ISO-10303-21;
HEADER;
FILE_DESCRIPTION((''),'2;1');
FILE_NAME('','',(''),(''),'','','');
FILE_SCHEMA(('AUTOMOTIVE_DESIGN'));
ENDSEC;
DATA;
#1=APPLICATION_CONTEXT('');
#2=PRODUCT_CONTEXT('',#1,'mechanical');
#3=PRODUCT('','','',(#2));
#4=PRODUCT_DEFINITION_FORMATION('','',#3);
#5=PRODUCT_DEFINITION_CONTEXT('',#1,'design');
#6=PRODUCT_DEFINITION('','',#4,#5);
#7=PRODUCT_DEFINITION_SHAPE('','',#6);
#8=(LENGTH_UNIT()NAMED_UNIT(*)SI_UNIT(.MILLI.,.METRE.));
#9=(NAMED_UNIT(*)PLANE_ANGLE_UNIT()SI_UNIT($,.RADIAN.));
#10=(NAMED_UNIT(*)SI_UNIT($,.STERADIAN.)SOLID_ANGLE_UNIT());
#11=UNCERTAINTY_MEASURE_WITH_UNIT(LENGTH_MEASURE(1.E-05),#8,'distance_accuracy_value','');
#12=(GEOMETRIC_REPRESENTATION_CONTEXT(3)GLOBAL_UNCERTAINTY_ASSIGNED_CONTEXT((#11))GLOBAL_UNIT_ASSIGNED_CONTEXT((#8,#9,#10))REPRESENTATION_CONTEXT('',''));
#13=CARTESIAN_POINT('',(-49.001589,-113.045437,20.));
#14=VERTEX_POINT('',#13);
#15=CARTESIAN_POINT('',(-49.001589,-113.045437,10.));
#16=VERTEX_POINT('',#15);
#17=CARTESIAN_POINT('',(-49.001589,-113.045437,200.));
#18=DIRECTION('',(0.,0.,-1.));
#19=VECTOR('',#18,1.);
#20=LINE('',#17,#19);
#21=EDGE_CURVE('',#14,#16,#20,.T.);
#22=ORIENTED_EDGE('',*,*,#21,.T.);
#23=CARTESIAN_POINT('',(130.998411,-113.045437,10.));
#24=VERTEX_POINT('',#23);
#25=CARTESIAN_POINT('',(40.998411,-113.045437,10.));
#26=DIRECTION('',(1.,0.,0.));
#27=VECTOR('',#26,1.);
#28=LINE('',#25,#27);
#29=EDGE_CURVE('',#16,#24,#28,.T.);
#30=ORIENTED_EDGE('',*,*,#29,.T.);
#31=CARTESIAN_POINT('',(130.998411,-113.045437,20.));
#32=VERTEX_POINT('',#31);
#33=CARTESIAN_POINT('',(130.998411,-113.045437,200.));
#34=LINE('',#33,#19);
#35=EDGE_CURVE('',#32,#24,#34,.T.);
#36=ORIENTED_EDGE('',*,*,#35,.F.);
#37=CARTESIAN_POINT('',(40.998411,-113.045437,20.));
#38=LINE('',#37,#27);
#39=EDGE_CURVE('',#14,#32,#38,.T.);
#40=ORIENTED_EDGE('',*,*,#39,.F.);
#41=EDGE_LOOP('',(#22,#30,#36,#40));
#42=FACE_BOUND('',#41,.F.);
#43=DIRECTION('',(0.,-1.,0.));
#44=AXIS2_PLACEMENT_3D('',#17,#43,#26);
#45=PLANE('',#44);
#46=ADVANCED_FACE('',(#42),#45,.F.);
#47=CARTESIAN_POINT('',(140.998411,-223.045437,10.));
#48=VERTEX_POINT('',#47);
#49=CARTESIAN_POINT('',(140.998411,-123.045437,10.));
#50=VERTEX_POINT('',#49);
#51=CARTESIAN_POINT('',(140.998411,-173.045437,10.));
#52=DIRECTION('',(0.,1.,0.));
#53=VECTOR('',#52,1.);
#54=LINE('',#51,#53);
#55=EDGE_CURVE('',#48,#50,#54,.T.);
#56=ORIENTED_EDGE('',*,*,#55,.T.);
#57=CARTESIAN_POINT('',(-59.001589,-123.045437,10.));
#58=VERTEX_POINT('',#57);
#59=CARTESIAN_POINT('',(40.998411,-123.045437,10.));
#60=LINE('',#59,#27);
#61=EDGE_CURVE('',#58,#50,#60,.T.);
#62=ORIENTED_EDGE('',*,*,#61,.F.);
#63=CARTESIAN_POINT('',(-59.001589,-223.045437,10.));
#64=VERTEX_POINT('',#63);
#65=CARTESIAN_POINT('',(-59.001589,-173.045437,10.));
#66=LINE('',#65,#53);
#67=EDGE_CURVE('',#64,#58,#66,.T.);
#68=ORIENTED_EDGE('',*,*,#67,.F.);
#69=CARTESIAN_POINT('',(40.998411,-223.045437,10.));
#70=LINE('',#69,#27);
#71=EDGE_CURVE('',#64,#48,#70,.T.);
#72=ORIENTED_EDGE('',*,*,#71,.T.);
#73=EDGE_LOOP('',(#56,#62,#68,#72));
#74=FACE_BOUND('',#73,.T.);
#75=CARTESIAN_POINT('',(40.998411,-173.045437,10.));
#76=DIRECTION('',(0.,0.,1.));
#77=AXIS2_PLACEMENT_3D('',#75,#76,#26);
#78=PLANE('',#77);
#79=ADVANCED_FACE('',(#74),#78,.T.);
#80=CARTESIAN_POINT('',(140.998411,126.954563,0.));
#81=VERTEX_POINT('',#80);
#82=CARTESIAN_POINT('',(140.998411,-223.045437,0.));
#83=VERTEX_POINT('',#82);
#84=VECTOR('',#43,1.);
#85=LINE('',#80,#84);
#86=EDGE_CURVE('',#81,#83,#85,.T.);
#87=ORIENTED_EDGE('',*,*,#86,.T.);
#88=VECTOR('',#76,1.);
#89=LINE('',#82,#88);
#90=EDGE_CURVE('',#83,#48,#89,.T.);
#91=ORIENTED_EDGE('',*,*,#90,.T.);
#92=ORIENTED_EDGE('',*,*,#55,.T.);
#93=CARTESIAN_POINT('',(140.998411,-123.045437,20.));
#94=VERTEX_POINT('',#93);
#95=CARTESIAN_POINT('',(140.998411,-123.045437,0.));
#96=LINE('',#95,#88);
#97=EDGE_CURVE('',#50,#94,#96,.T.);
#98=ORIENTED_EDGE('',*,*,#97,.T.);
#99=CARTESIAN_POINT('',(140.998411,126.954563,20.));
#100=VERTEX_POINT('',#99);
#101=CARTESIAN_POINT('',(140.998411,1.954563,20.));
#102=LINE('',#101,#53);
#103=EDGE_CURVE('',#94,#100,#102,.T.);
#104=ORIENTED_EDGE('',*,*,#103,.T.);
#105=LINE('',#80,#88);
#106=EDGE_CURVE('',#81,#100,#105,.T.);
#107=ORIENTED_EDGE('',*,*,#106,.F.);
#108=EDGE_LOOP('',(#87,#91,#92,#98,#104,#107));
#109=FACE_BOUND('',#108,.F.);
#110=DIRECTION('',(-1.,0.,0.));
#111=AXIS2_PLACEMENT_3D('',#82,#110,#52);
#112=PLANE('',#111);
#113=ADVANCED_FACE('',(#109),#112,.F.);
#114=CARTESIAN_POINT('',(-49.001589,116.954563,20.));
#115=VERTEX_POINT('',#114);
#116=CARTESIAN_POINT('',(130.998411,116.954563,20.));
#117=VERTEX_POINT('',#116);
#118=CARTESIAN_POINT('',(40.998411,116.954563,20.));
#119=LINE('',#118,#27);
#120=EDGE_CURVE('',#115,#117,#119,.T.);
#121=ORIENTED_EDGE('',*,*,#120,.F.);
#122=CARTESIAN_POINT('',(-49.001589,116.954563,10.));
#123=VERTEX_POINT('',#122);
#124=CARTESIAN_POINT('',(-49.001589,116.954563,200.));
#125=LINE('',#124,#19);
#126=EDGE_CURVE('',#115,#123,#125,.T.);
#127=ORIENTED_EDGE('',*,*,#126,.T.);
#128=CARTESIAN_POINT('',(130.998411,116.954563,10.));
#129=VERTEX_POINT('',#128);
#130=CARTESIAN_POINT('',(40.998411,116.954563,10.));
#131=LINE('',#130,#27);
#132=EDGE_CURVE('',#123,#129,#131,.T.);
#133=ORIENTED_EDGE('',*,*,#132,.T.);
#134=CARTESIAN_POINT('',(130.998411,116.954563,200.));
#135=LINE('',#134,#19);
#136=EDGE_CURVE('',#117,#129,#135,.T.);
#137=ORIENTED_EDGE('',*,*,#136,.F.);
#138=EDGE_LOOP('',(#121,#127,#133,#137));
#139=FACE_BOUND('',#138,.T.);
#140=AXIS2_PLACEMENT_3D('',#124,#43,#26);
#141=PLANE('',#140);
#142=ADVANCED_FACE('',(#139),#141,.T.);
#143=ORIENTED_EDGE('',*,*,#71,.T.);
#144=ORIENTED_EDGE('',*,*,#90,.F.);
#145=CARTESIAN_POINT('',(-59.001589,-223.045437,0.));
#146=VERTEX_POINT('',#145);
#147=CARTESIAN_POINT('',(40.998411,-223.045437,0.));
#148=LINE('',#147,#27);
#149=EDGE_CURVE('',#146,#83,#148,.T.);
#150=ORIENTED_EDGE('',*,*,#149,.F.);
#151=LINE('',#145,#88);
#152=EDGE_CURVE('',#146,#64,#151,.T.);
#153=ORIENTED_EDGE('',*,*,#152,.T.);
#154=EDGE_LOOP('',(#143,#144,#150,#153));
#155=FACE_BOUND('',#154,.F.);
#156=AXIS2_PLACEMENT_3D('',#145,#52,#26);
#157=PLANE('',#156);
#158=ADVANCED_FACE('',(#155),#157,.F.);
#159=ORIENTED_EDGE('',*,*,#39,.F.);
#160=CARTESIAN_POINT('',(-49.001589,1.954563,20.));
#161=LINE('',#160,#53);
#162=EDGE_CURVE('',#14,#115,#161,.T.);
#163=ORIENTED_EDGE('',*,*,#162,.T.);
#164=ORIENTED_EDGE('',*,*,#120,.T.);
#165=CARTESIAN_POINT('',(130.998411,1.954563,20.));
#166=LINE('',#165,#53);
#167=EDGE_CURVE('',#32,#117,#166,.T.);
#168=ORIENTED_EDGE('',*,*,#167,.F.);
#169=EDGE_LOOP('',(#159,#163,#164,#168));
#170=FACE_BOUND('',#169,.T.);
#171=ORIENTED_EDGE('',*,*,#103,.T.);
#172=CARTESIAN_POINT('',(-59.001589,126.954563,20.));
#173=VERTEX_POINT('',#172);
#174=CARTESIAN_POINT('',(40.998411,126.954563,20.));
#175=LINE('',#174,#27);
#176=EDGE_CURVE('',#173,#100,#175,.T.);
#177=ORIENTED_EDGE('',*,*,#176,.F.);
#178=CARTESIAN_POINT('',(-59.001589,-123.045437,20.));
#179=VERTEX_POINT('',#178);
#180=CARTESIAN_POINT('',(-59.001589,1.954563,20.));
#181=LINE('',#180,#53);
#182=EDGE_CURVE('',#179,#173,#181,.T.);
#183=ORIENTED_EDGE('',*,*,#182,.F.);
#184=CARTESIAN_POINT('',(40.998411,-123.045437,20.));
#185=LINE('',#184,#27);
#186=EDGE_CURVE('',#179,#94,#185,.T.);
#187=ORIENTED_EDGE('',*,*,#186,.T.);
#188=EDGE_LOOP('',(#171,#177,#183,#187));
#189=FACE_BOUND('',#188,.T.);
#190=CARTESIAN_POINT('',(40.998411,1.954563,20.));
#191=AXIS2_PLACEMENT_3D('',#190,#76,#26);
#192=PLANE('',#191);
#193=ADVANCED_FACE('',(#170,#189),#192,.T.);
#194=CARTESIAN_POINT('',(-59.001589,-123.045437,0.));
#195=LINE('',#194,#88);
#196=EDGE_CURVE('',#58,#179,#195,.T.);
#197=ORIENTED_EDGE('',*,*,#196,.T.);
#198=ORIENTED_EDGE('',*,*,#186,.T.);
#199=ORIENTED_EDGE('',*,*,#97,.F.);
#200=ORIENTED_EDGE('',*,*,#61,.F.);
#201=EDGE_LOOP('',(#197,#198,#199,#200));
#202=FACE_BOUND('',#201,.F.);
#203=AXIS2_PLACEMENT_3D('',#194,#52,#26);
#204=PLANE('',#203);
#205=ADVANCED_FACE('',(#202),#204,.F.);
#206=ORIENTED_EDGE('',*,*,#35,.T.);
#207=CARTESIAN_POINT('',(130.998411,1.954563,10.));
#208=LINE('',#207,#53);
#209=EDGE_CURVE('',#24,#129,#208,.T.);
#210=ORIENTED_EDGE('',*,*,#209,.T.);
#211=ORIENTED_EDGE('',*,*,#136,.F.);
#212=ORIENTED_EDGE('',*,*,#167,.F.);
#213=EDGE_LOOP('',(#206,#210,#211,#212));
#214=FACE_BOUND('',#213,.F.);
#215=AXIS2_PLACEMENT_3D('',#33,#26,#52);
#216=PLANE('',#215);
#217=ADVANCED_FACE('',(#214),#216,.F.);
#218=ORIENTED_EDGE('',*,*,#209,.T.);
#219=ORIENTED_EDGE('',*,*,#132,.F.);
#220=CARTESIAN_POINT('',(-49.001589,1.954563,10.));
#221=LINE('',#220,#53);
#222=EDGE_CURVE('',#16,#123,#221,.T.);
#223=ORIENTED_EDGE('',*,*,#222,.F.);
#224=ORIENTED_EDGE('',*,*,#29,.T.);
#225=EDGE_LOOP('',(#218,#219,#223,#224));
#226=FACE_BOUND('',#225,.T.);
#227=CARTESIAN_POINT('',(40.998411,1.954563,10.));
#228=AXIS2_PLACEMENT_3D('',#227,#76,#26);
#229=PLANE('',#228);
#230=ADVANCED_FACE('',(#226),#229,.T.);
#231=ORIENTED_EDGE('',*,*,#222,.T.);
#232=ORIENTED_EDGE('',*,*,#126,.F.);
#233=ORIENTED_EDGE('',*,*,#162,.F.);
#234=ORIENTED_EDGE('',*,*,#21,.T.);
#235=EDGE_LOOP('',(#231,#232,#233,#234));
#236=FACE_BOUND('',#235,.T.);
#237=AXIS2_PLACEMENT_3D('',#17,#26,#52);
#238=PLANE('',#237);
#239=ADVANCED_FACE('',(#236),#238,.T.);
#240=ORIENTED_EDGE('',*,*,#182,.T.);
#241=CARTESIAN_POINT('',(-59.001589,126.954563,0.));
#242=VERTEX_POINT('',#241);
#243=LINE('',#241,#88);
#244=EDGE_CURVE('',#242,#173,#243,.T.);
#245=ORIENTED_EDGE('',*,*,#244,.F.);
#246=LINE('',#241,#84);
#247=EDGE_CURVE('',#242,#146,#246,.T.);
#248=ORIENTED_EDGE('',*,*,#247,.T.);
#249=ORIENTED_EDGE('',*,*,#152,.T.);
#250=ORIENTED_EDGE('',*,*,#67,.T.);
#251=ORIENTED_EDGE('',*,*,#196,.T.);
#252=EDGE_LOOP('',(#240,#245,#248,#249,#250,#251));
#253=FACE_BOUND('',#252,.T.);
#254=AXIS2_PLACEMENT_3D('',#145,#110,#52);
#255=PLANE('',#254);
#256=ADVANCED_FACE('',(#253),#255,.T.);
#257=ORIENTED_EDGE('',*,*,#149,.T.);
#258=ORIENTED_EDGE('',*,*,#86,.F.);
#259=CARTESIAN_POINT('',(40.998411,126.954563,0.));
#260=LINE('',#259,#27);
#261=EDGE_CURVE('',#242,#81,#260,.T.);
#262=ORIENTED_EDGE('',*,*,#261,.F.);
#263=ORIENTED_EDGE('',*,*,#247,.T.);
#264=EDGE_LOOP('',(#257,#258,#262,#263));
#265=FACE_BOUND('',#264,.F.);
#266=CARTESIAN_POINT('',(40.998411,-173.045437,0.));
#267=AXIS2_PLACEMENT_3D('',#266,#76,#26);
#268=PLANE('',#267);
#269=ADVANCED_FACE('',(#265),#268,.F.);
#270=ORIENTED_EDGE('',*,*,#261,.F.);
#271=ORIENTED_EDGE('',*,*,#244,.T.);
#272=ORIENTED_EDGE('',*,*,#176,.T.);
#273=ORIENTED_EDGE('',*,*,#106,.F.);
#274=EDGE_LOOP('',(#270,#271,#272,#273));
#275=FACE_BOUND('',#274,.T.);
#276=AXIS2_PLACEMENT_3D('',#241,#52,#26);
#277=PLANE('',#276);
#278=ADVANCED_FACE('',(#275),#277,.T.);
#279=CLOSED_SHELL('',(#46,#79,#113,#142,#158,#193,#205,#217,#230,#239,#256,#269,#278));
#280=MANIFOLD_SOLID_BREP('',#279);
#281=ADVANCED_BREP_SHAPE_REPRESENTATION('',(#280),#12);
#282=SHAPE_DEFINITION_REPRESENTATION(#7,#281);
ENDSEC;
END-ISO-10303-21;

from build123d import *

# Parameters (mm, degrees)
F0_W     = 200
F0_H     = 250
F1_DEPTH = 200
F2_W     = 180
F2_H     = 230
F3_DEPTH = 190
F4_DEPTH = 180
F0_H_2   = 100
F5_DEPTH = 10


with BuildPart() as f1:
    # F0 (on Top) → F1 (new body)
    with BuildSketch(Plane.XY):
        with Locations((40.9984113305, 1.9545629621)):
            Rectangle(F0_W, F0_H)
    extrude(amount=F1_DEPTH)

    # F2 (on face) → F3 (cut)
    with BuildSketch(Plane.XY.offset(200)):
        with Locations((40.9984113305, 1.9545629621)):
            Rectangle(F2_W, F2_H)
    extrude(amount=-F3_DEPTH, mode=Mode.SUBTRACT)

    # F4 (cut): a face of the model
    f4_faces = [f1.faces().sort_by_distance(p)[0] for p in [
        (-55.8000265508, 1.9545629621, 200),
    ]]
    extrude(f4_faces, amount=-F4_DEPTH, mode=Mode.SUBTRACT)

    # F0 (on Top) → F5 (join)
    with BuildSketch(Plane.XY):
        with Locations((40.9984113305, -173.0454370379)):
            Rectangle(F0_W, F0_H_2)
    extrude(amount=F5_DEPTH)


solid = f1.part
